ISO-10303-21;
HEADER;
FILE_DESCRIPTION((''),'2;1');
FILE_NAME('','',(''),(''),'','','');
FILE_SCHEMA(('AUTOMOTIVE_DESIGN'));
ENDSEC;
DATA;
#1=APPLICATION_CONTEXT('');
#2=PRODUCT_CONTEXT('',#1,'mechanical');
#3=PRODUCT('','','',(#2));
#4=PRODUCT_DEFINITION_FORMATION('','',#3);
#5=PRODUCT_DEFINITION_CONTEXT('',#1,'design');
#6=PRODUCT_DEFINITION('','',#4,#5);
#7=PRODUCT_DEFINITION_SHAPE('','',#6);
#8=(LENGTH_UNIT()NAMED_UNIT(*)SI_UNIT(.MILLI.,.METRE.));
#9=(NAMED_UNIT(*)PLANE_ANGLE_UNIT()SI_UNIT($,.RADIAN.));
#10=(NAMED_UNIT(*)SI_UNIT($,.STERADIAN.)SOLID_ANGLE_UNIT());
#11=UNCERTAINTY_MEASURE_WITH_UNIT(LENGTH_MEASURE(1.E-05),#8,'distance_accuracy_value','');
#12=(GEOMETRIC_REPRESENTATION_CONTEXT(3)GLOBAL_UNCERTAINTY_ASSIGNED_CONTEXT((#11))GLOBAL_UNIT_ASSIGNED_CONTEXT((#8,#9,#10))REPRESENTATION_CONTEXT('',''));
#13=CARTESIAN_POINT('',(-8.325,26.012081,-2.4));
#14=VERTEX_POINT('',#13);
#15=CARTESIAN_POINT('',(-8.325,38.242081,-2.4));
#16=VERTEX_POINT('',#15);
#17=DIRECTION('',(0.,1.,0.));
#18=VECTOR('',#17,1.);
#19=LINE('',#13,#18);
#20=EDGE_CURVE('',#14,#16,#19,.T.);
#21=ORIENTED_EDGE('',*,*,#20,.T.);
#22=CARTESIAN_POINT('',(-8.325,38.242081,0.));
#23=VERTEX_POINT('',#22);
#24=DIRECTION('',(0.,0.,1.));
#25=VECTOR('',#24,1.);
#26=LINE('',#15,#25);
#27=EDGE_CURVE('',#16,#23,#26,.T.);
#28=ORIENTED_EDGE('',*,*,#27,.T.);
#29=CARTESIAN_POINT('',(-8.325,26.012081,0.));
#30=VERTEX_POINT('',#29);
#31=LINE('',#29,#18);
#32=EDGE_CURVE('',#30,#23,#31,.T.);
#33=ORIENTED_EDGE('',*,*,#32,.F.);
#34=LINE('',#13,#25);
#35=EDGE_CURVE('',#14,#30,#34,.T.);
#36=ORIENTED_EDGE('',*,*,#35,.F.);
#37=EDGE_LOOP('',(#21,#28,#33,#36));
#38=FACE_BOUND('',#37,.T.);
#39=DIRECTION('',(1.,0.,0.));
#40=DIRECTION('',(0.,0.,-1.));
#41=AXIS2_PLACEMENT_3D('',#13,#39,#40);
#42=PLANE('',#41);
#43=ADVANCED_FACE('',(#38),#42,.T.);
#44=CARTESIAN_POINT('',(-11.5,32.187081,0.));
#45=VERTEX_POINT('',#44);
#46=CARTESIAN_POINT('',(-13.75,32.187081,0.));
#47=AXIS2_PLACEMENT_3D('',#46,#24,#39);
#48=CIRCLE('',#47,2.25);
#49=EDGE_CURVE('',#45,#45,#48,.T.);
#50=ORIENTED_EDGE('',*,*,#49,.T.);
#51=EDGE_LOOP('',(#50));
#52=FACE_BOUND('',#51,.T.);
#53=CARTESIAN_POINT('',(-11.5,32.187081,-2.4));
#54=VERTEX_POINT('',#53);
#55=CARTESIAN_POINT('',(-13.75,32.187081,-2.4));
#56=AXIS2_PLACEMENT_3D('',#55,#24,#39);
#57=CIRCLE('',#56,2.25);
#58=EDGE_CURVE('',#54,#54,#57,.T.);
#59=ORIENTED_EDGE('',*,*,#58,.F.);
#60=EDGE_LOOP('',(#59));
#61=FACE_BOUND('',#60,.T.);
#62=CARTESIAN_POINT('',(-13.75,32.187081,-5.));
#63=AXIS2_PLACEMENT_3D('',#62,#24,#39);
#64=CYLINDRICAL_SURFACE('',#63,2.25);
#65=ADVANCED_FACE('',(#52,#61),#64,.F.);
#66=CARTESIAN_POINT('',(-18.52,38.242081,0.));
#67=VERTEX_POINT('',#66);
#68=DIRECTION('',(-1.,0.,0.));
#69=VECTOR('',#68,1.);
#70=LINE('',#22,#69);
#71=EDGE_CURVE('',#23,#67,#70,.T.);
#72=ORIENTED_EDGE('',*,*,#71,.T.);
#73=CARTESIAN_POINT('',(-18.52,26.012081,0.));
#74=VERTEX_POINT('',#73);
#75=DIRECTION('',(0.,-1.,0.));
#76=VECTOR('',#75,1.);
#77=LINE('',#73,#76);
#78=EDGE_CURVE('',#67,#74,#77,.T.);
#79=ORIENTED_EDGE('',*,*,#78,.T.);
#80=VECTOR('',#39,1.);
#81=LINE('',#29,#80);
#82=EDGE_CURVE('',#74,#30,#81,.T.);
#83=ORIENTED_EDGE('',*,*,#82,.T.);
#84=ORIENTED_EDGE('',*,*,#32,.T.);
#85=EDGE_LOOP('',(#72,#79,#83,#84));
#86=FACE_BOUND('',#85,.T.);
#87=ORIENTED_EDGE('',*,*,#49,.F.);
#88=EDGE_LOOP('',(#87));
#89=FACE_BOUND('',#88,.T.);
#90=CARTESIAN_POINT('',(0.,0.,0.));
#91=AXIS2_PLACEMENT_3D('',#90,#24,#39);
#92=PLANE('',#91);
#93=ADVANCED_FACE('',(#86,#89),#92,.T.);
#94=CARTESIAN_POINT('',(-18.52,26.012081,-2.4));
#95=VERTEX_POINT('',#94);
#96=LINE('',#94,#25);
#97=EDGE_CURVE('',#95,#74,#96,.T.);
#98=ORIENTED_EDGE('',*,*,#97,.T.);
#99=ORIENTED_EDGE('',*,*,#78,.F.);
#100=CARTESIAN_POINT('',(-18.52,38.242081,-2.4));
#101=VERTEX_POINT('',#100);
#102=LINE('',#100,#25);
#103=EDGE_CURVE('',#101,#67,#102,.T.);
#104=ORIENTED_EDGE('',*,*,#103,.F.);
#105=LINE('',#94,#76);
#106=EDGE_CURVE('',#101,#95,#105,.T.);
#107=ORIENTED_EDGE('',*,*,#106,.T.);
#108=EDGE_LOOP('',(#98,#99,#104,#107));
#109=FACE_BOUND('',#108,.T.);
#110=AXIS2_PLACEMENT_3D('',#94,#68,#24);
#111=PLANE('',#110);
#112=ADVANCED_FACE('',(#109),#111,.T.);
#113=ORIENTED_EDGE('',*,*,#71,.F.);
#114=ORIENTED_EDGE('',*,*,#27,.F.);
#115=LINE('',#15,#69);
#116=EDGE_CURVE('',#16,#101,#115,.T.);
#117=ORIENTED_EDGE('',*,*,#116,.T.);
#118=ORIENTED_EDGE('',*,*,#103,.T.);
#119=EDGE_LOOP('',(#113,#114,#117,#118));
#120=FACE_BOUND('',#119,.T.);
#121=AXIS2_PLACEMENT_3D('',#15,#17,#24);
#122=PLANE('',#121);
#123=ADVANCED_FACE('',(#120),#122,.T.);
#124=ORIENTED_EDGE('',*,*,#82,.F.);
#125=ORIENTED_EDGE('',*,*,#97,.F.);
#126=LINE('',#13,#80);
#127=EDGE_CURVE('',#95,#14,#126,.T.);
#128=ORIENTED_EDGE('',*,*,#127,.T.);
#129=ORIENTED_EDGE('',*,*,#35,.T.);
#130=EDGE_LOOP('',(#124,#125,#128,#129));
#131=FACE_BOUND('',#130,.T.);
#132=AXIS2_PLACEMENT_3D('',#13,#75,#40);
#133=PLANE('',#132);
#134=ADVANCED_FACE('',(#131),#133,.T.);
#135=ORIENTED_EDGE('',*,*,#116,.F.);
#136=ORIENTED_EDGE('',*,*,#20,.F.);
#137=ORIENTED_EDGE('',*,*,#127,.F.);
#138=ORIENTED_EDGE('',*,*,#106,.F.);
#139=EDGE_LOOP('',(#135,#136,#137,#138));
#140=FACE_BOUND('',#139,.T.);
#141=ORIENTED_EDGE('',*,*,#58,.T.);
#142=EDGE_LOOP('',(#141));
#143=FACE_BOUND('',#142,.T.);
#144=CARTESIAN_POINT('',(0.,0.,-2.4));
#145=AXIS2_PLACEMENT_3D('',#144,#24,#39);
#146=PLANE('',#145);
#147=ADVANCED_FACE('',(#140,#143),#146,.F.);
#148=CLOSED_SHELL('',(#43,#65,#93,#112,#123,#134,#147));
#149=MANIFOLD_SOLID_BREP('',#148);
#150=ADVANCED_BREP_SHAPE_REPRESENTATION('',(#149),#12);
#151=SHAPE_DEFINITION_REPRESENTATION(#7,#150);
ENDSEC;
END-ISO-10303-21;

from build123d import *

# Parameters (mm, degrees)
SKETCH1_W           = 10.195
SKETCH1_H           = 12.23
BOSS_EXTRUDE1_DEPTH = 2.4
SKETCH4_R           = 2.25
CUT_EXTRUDE2_DEPTH  = 5


with BuildPart() as part:
    # Sketch1 → Boss-Extrude1 (new body)
    with BuildSketch(Plane.XY):
        with Locations((-13.4225, 32.127080843)):
            Rectangle(SKETCH1_W, SKETCH1_H)
    extrude(amount=-BOSS_EXTRUDE1_DEPTH)

    # Sketch4 → Cut-Extrude2 (cut)
    with BuildSketch(Plane.XY):
        with Locations((-13.75, 32.187080843)):
            Circle(SKETCH4_R)
    extrude(amount=-CUT_EXTRUDE2_DEPTH, mode=Mode.SUBTRACT)


solid = part.part
